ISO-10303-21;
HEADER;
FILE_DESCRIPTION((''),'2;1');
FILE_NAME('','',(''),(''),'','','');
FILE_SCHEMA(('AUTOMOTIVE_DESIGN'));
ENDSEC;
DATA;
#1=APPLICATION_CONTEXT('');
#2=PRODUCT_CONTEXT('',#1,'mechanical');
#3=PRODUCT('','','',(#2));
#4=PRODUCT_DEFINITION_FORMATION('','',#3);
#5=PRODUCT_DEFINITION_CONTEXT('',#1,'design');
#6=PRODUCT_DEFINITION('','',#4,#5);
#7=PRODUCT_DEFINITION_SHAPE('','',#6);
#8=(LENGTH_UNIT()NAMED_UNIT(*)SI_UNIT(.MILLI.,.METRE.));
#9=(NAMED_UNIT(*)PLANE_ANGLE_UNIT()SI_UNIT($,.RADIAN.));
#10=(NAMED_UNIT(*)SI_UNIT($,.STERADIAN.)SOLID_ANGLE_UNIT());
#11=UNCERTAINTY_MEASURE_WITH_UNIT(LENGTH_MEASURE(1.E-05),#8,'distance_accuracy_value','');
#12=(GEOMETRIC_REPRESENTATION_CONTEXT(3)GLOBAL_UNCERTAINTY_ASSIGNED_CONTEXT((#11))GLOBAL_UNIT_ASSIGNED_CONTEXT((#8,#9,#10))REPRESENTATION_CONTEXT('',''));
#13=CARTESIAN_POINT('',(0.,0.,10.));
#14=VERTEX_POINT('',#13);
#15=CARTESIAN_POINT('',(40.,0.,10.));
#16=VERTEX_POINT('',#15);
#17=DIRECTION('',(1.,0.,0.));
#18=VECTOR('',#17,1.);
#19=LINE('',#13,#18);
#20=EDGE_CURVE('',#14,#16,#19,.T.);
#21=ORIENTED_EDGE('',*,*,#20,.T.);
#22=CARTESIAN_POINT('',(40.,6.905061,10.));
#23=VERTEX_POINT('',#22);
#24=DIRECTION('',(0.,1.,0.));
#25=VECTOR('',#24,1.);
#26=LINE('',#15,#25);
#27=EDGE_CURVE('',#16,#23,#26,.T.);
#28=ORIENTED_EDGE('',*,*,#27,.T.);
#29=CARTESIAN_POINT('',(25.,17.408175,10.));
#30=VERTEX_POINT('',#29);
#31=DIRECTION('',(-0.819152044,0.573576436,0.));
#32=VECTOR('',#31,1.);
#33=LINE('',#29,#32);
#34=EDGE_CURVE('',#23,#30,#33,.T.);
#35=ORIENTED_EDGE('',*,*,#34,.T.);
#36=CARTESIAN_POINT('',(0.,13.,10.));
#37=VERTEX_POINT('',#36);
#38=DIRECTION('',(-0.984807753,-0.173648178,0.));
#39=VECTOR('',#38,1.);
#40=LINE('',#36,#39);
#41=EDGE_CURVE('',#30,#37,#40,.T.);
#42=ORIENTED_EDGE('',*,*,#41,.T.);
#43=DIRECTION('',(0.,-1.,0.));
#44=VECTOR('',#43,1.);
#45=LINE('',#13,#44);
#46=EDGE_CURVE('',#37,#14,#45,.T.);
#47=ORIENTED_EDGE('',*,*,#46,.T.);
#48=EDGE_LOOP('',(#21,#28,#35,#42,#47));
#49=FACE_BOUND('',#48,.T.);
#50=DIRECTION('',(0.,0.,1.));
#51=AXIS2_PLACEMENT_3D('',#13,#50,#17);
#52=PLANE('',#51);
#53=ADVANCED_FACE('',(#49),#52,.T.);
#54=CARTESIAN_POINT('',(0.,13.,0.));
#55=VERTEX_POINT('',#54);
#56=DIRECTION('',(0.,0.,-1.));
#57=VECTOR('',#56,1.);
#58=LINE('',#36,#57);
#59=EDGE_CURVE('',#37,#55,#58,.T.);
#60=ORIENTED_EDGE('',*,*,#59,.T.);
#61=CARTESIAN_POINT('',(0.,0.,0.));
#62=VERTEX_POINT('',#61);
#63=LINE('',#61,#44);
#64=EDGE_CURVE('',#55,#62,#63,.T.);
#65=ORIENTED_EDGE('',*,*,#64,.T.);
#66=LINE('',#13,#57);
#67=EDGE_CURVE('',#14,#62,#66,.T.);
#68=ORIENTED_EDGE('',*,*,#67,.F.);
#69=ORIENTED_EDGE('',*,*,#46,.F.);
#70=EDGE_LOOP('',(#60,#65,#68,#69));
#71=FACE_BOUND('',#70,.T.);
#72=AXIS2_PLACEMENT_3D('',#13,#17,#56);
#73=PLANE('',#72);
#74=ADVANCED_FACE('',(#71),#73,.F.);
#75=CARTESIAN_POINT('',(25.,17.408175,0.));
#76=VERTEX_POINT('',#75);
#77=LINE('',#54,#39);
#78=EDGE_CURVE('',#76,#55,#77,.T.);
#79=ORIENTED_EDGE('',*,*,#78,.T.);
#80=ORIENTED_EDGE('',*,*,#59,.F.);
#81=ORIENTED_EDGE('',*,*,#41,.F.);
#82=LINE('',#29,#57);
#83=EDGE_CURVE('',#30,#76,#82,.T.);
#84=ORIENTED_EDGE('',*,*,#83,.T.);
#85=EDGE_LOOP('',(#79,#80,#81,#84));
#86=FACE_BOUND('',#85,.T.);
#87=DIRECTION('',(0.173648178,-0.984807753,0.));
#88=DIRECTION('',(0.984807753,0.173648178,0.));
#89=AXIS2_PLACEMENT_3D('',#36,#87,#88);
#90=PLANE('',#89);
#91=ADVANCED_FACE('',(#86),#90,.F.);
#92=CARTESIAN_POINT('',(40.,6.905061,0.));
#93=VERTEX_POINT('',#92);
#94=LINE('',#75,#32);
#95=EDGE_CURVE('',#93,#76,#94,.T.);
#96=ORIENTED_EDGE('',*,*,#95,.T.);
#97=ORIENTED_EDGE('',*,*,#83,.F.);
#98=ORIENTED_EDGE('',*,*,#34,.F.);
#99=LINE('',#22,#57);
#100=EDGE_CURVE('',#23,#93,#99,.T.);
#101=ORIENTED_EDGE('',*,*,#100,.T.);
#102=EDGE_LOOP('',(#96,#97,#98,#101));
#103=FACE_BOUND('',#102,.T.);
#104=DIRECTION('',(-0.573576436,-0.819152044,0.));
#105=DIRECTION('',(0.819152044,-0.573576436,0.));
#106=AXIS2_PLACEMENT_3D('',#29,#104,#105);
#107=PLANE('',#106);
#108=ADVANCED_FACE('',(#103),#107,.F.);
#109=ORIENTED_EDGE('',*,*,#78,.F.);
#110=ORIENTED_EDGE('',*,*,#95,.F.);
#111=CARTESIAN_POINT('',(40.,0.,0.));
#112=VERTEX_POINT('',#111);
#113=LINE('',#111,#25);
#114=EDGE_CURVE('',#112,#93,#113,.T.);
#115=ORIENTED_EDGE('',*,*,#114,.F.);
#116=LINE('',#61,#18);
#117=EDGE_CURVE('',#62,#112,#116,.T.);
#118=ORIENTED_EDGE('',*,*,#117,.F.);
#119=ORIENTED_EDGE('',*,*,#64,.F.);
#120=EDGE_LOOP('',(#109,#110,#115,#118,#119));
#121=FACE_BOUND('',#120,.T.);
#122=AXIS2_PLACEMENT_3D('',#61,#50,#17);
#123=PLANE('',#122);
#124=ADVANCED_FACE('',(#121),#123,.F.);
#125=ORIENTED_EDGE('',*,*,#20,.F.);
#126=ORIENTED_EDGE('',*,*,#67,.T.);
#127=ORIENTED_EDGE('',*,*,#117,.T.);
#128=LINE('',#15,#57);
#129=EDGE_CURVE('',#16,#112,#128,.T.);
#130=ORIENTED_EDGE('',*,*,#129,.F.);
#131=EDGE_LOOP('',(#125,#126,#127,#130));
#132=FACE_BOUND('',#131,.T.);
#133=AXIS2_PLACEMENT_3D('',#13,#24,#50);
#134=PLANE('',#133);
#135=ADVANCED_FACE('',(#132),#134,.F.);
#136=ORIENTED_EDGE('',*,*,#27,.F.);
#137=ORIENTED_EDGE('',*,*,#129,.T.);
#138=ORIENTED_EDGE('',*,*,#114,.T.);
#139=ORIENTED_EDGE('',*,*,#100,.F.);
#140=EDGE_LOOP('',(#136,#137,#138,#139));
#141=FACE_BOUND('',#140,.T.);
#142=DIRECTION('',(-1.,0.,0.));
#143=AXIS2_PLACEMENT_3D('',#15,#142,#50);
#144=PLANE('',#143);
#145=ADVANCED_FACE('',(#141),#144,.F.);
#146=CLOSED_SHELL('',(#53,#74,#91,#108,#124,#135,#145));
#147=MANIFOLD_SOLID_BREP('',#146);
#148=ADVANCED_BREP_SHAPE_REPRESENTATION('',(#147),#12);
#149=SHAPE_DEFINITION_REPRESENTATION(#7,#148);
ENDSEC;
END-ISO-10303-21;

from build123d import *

# Parameters (mm, degrees)
SALIENTE_EXTRUIR1_DEPTH = 10


with BuildPart() as part:
    # Croquis1 → Saliente-Extruir1 (new body)
    with BuildSketch(Plane.XY):
        Polygon((0, 0), (0, 13), (25, 17.408174518), (40, 6.905061445), (40, 0), align=None)
    extrude(amount=SALIENTE_EXTRUIR1_DEPTH)


solid = part.part
